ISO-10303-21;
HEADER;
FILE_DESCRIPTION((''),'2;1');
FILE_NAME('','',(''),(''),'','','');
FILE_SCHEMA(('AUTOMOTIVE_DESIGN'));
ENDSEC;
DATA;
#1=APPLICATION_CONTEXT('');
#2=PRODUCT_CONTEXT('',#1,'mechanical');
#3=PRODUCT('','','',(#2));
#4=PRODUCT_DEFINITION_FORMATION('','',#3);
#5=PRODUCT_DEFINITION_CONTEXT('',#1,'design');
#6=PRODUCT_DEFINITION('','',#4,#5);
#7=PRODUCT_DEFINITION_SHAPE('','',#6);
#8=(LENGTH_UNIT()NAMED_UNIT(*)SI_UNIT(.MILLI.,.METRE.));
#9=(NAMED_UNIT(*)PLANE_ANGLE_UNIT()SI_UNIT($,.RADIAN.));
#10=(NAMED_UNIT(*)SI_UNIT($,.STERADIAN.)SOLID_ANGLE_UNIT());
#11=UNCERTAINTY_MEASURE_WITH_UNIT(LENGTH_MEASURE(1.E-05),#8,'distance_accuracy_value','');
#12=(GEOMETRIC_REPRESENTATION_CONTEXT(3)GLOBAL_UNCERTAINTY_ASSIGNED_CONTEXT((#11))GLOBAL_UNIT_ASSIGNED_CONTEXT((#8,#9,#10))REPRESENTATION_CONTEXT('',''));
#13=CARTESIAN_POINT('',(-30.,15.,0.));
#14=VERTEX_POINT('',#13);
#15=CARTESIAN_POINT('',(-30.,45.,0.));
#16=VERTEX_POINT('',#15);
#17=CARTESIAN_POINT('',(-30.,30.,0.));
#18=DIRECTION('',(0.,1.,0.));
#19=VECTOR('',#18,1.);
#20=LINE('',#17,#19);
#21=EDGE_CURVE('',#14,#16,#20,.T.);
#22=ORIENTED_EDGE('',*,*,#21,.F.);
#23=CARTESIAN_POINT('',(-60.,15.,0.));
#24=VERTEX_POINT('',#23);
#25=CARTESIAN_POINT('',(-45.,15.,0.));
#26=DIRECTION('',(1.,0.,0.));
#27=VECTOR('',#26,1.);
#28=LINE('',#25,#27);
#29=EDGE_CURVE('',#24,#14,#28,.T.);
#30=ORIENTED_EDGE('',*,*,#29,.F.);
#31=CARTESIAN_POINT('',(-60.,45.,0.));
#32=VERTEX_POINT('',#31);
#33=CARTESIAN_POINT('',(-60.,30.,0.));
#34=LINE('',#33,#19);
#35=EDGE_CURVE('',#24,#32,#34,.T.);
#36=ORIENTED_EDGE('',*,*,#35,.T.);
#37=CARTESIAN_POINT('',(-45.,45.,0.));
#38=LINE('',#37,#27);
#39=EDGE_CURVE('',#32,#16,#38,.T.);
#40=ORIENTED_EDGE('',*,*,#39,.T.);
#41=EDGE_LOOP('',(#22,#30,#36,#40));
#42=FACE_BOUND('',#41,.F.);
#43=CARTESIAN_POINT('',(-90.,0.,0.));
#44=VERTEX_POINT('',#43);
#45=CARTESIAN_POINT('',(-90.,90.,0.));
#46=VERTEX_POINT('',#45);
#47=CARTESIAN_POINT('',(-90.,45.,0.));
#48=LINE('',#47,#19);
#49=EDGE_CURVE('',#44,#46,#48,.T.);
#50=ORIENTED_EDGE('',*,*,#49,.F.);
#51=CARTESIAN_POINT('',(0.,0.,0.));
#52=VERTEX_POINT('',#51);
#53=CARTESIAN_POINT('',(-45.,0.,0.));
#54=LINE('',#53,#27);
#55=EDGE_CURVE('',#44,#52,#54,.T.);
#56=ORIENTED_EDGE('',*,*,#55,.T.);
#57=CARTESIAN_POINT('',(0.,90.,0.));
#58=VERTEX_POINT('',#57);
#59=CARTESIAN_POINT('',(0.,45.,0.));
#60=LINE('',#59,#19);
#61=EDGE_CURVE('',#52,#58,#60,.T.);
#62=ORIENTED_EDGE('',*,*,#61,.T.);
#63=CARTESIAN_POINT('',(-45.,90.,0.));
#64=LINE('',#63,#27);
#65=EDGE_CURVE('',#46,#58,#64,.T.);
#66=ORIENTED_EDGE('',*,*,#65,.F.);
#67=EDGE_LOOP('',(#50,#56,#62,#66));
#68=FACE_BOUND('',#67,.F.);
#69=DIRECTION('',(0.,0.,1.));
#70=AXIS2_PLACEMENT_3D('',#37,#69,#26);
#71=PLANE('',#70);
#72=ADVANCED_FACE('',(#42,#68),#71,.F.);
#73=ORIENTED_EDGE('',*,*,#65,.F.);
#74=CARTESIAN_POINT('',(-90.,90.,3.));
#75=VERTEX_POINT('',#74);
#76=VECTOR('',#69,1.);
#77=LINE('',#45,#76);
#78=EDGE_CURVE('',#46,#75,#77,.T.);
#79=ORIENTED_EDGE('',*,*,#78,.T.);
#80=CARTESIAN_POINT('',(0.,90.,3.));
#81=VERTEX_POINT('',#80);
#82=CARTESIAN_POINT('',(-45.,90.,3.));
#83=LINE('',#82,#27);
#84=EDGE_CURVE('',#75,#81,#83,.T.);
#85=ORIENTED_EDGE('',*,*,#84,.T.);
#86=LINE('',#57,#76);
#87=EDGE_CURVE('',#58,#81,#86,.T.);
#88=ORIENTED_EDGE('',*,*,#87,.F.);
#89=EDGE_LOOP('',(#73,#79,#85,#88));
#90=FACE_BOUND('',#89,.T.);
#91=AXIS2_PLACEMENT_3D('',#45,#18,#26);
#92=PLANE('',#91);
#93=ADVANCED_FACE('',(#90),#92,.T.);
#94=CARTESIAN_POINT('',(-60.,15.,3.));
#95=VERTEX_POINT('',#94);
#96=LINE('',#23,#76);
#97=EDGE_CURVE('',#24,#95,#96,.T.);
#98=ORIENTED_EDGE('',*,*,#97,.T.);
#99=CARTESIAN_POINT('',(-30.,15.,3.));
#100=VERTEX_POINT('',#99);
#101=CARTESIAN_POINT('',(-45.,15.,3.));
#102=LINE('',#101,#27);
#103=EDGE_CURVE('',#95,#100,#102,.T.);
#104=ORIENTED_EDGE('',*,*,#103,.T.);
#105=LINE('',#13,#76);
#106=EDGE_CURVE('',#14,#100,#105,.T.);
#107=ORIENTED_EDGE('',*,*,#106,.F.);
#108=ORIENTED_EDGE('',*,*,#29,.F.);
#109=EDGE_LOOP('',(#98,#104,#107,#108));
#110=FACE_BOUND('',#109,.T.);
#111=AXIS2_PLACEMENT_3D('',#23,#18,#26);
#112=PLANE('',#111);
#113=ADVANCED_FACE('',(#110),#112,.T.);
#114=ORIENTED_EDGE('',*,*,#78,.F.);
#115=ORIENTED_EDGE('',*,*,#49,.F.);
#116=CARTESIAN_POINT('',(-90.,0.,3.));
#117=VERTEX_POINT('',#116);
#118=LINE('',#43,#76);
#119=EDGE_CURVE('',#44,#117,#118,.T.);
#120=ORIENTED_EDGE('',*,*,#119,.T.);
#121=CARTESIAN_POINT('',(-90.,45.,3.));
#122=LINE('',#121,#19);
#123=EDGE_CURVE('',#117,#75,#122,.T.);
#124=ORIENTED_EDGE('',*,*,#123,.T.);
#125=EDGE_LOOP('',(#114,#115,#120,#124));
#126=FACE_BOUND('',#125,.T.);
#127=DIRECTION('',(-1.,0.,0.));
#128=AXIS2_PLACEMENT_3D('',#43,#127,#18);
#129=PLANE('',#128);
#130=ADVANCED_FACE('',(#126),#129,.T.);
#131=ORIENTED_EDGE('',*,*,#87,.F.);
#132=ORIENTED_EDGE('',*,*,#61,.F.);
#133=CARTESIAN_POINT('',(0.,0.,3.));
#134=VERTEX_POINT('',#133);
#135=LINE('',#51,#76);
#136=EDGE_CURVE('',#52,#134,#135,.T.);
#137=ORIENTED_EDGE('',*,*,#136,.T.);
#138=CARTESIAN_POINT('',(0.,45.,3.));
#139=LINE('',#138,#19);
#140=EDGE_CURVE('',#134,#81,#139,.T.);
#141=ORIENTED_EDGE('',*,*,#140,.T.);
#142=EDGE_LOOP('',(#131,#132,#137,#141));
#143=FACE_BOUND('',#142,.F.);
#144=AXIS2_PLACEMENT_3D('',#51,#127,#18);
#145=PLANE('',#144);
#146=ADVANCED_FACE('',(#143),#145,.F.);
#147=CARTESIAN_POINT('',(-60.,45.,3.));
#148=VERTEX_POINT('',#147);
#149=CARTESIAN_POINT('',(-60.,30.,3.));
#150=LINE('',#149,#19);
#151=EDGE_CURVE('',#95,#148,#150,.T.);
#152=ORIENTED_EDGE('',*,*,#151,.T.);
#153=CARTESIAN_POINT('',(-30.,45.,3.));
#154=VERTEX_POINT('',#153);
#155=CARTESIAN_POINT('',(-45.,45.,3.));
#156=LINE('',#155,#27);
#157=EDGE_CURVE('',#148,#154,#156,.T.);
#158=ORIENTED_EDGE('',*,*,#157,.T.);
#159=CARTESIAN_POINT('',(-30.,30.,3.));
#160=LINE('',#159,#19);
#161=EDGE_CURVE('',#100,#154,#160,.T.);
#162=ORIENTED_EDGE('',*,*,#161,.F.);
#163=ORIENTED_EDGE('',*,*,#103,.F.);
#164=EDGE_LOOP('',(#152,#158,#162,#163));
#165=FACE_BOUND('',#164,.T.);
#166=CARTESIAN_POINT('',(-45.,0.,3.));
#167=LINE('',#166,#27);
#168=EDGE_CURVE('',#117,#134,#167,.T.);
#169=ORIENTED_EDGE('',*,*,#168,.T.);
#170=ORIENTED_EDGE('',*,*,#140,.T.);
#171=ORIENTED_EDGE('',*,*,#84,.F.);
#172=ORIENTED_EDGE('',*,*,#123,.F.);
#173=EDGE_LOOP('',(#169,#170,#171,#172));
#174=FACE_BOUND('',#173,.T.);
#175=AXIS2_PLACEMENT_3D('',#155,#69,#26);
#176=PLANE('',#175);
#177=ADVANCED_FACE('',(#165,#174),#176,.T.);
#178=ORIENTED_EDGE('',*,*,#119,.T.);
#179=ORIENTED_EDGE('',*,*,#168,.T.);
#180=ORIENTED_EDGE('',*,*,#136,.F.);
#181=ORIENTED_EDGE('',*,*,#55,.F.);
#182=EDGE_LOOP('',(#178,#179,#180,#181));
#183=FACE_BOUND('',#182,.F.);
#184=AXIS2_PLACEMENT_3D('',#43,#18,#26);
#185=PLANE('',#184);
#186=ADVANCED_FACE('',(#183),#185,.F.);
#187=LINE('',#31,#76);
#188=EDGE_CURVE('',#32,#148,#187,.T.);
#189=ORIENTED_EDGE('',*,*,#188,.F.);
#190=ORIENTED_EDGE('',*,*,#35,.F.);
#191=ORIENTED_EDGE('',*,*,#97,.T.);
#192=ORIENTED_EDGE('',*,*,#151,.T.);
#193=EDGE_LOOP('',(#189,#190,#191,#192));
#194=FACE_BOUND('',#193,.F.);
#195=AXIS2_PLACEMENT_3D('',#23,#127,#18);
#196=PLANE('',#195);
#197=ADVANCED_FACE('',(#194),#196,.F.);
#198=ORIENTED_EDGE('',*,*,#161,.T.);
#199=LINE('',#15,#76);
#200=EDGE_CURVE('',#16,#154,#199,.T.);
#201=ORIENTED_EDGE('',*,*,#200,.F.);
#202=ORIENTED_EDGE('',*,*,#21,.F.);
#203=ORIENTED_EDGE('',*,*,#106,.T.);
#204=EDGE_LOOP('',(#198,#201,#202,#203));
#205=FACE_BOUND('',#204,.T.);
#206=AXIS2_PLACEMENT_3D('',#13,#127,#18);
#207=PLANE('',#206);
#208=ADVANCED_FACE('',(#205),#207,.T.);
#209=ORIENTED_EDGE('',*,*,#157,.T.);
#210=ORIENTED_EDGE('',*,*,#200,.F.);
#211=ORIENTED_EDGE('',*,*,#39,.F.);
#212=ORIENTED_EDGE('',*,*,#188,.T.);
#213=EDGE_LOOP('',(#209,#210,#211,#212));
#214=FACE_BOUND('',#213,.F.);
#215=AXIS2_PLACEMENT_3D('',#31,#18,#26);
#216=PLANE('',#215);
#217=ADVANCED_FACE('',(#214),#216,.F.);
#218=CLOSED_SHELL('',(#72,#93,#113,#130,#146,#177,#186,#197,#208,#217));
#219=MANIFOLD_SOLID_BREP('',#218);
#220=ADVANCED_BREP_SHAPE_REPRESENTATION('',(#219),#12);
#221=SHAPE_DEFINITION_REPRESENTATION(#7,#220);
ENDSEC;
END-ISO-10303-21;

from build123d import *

# Parameters (mm, degrees)
SKETCH_W     = 90
SKETCH_H     = 90
PAD_DEPTH    = 3
SKETCH001_W  = 30
SKETCH001_H  = 30
POCKET_DEPTH = 3


with BuildPart() as part:
    # Sketch → Pad (new body)
    with BuildSketch(Plane.XY):
        with Locations((-45, 45)):
            Rectangle(SKETCH_W, SKETCH_H)
    extrude(amount=PAD_DEPTH)

    # Sketch001 → Pocket (cut)
    with BuildSketch(Plane.XY):
        with Locations((-45, 30)):
            Rectangle(SKETCH001_W, SKETCH001_H)
    extrude(amount=POCKET_DEPTH, mode=Mode.SUBTRACT)


solid = part.part
